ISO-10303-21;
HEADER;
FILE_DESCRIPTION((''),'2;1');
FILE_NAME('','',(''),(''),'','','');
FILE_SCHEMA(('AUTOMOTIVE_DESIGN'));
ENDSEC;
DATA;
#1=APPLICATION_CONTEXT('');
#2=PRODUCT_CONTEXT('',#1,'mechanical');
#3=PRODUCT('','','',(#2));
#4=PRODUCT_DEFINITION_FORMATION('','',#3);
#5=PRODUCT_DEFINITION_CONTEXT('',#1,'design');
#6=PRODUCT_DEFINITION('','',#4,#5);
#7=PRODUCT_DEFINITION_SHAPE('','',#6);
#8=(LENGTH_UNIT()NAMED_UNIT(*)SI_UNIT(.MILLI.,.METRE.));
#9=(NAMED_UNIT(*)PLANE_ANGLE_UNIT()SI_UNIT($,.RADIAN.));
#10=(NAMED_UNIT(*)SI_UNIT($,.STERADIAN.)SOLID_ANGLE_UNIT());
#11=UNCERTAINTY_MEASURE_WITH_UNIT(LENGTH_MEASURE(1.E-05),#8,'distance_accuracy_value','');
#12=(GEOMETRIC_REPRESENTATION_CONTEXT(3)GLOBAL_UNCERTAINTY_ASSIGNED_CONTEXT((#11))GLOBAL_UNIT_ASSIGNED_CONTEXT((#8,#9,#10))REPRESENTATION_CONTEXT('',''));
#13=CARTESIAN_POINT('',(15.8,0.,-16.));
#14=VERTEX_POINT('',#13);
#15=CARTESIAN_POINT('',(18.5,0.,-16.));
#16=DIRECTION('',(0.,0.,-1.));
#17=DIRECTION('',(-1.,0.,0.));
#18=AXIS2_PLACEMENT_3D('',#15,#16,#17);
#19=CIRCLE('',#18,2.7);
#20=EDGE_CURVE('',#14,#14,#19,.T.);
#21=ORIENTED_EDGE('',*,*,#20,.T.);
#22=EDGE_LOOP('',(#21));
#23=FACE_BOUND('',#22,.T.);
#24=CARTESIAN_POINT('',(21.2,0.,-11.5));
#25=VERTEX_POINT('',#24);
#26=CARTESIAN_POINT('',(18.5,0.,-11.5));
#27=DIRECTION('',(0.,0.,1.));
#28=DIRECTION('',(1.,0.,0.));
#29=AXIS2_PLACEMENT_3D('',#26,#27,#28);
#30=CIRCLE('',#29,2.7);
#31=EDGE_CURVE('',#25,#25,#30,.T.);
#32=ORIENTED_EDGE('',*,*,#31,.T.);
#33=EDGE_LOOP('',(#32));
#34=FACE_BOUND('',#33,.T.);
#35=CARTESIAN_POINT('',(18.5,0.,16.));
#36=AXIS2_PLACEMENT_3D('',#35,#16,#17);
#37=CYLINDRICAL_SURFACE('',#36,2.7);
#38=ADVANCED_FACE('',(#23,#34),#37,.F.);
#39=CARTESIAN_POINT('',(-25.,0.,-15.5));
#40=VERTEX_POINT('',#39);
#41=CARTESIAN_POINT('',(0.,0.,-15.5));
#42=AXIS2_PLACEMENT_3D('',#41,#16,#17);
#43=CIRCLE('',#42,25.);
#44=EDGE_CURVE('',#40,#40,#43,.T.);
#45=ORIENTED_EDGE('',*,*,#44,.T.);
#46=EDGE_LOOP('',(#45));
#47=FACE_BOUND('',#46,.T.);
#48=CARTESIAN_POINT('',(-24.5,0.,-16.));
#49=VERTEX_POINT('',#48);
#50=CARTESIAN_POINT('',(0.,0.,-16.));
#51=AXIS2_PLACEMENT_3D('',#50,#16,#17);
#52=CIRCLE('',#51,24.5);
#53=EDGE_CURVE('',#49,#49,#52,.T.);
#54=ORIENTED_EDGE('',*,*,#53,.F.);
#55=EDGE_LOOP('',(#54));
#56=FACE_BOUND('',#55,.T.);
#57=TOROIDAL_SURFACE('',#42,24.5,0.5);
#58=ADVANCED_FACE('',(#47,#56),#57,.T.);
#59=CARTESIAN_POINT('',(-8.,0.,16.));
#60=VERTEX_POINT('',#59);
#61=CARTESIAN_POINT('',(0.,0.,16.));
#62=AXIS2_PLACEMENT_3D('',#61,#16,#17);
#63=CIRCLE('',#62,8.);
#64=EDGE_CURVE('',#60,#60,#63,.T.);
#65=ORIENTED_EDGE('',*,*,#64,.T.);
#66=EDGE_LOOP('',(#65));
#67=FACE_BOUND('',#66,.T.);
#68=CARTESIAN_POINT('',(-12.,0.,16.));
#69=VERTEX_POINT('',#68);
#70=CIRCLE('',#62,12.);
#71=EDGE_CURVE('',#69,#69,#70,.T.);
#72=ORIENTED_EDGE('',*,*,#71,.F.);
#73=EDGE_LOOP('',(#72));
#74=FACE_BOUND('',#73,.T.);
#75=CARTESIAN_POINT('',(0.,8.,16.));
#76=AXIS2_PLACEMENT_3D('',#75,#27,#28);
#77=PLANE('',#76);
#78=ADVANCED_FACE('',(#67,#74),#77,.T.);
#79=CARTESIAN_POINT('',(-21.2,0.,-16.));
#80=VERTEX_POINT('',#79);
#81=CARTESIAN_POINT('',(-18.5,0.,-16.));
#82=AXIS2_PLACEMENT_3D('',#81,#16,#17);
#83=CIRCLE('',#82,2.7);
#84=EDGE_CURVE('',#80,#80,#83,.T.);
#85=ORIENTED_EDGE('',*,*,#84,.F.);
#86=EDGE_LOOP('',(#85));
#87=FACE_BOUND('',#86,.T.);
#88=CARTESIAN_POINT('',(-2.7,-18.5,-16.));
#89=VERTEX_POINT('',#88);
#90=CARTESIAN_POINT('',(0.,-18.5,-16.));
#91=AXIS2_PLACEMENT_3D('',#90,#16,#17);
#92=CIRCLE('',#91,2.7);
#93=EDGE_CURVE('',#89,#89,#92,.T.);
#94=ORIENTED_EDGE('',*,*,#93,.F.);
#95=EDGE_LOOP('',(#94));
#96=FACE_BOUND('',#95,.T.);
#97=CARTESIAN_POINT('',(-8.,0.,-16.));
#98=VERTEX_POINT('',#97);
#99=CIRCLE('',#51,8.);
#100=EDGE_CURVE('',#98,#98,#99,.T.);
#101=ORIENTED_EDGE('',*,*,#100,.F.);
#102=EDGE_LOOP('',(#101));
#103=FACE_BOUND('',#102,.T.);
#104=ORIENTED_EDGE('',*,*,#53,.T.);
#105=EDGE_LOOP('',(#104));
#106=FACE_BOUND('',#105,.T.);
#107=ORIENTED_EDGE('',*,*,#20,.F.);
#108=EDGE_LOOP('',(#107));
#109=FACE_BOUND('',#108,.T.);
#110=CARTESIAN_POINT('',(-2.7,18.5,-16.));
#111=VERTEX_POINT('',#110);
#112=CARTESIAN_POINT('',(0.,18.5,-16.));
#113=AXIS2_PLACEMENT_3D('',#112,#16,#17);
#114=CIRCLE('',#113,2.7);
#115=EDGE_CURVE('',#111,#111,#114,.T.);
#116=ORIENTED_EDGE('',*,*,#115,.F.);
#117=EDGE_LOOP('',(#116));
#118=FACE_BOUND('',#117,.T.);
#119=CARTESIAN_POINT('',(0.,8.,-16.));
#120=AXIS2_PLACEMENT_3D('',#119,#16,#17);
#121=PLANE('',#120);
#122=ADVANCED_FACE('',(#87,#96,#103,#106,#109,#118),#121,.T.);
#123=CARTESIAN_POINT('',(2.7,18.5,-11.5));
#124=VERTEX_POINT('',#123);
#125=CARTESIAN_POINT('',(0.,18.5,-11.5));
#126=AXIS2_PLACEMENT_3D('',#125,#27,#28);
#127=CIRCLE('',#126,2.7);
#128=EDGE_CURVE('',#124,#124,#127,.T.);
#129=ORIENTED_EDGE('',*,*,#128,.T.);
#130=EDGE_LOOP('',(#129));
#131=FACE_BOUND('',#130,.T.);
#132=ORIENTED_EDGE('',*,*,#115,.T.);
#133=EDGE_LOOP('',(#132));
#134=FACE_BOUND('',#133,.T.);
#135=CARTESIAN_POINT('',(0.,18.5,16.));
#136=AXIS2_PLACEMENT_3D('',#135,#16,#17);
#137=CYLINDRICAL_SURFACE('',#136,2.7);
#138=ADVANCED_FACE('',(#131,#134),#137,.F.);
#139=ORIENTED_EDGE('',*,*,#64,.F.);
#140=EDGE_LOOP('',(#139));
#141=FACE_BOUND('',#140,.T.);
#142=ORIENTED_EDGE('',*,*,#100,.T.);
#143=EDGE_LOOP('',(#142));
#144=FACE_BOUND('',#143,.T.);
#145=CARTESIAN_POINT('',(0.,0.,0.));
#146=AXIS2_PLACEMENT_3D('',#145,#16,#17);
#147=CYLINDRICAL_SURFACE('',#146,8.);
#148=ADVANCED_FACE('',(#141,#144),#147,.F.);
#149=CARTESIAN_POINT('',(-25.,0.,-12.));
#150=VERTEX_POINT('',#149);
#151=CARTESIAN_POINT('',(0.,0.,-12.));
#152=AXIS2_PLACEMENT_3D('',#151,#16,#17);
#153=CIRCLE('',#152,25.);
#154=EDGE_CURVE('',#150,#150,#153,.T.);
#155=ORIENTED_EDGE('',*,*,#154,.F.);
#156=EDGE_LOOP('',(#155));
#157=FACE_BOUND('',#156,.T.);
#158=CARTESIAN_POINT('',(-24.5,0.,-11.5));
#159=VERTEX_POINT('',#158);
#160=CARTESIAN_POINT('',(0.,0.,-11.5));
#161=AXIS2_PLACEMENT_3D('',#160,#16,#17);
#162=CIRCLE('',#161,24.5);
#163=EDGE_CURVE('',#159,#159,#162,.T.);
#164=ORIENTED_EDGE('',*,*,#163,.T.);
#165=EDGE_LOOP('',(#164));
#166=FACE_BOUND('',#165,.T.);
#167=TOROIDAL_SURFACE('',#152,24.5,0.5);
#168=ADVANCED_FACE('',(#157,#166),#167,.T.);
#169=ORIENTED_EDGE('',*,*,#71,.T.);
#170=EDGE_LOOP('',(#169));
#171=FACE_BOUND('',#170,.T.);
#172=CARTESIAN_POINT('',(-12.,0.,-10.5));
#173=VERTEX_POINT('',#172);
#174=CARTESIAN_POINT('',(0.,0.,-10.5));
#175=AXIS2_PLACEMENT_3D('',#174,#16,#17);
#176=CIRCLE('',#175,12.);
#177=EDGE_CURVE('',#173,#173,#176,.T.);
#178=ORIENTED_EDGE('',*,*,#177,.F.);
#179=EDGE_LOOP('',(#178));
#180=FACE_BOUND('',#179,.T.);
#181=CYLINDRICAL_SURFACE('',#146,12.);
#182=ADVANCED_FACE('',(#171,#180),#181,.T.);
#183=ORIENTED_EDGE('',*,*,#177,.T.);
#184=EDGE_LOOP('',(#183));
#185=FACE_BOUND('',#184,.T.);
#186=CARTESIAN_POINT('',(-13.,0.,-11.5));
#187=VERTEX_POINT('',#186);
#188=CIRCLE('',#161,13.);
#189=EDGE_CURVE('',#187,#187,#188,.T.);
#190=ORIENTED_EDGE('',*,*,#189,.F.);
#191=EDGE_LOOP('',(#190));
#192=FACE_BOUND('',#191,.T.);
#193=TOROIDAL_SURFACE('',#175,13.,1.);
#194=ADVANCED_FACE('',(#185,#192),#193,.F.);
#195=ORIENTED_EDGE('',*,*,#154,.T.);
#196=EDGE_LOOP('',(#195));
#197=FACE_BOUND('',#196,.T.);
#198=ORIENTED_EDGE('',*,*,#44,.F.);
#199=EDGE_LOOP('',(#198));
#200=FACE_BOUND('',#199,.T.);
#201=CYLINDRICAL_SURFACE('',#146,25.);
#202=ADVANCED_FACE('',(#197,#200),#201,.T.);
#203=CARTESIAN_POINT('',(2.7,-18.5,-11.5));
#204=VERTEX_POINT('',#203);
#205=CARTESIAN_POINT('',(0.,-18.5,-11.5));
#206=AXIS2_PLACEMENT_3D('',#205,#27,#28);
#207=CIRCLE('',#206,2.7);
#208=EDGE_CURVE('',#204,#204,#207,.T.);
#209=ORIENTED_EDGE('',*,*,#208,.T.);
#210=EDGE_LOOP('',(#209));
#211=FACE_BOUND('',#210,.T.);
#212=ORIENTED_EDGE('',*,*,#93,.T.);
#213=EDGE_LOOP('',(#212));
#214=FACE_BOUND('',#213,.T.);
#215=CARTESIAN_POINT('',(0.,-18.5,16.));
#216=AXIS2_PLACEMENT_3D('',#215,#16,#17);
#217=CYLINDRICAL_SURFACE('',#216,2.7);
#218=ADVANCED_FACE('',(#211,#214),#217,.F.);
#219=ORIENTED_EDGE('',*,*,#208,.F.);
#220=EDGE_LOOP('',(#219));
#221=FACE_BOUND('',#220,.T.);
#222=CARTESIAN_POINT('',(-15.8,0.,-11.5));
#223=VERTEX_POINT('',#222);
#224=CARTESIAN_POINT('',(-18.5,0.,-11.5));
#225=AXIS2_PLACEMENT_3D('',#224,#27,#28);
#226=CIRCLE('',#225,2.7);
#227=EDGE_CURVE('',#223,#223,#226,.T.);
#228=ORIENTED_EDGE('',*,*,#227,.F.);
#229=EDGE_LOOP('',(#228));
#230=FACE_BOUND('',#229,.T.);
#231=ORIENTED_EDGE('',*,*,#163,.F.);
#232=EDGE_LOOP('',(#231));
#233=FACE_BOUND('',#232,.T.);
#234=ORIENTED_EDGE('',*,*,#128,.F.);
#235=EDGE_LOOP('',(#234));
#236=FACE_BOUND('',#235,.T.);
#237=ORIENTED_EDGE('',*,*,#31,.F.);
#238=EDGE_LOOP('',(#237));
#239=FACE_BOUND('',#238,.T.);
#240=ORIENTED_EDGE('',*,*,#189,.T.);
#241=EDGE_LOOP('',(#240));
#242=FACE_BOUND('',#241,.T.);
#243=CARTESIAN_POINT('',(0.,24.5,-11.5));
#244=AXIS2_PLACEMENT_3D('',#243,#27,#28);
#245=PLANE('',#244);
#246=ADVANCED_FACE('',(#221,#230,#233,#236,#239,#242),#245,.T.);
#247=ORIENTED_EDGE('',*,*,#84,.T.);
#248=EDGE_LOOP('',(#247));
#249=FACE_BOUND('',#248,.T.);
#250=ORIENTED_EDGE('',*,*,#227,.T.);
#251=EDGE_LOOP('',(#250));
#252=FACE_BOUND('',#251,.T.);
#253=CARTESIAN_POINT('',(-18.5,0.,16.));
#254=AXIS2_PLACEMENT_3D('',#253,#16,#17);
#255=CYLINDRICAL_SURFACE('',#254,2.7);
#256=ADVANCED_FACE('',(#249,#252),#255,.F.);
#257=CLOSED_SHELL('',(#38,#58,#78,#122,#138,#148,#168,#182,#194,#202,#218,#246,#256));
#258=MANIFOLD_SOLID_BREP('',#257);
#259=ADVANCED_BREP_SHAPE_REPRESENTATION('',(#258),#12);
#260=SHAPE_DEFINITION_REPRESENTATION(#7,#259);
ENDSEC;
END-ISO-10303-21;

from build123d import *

# Parameters (mm, degrees)
CUT_EXTRUDE1_DEPTH      = 48.68647607
CUT_EXTRUDE1_DEPTH_BACK = 48.68647607
SKETCH2_R               = 2.7


with BuildPart() as part:
    # Sketch1 → Revolve1 (revolve)
    with BuildSketch(Plane(origin=(0, 0, 0), x_dir=(0, 0, -1), z_dir=(1, 0, 0)), mode=Mode.PRIVATE) as revolve1_sk:
        with BuildLine():
            Line((-16, 8), (16, 8))
            Line((16, 8), (16, 24.5))
            ThreePointArc((16, 24.5), (15.853553391, 24.853553391), (15.5, 25))
            Line((15.5, 25), (12, 25))
            ThreePointArc((12, 25), (11.646446609, 24.853553391), (11.5, 24.5))
            Line((11.5, 24.5), (11.5, 13))
            ThreePointArc((11.5, 13), (11.207106781, 12.292893219), (10.5, 12))
            Line((10.5, 12), (-16, 12))
            Line((-16, 12), (-16, 8))
        make_face()
    revolve(revolve1_sk.sketch.rotate(Axis((0, 0, 0), (0, 0, 1)), 90), axis=Axis((0, 0, 0), (0, 0, 1)))

    # Sketch2 → Cut-Extrude1 (cut, two sides: drawn at the far end of the back side and taken through both)
    with BuildSketch(Plane(origin=(0, 0, -16), x_dir=(-1, 0, 0), z_dir=(0, 0, -1)).offset(-CUT_EXTRUDE1_DEPTH_BACK)):
        with Locations((0, 18.5)):
            Circle(SKETCH2_R)
        with Locations((18.5, 0)):
            Circle(SKETCH2_R)
        with Locations((0, -18.5)):
            Circle(SKETCH2_R)
        with Locations((-18.5, 0)):
            Circle(SKETCH2_R)
    extrude(amount=CUT_EXTRUDE1_DEPTH + CUT_EXTRUDE1_DEPTH_BACK, mode=Mode.SUBTRACT)


solid = part.part
